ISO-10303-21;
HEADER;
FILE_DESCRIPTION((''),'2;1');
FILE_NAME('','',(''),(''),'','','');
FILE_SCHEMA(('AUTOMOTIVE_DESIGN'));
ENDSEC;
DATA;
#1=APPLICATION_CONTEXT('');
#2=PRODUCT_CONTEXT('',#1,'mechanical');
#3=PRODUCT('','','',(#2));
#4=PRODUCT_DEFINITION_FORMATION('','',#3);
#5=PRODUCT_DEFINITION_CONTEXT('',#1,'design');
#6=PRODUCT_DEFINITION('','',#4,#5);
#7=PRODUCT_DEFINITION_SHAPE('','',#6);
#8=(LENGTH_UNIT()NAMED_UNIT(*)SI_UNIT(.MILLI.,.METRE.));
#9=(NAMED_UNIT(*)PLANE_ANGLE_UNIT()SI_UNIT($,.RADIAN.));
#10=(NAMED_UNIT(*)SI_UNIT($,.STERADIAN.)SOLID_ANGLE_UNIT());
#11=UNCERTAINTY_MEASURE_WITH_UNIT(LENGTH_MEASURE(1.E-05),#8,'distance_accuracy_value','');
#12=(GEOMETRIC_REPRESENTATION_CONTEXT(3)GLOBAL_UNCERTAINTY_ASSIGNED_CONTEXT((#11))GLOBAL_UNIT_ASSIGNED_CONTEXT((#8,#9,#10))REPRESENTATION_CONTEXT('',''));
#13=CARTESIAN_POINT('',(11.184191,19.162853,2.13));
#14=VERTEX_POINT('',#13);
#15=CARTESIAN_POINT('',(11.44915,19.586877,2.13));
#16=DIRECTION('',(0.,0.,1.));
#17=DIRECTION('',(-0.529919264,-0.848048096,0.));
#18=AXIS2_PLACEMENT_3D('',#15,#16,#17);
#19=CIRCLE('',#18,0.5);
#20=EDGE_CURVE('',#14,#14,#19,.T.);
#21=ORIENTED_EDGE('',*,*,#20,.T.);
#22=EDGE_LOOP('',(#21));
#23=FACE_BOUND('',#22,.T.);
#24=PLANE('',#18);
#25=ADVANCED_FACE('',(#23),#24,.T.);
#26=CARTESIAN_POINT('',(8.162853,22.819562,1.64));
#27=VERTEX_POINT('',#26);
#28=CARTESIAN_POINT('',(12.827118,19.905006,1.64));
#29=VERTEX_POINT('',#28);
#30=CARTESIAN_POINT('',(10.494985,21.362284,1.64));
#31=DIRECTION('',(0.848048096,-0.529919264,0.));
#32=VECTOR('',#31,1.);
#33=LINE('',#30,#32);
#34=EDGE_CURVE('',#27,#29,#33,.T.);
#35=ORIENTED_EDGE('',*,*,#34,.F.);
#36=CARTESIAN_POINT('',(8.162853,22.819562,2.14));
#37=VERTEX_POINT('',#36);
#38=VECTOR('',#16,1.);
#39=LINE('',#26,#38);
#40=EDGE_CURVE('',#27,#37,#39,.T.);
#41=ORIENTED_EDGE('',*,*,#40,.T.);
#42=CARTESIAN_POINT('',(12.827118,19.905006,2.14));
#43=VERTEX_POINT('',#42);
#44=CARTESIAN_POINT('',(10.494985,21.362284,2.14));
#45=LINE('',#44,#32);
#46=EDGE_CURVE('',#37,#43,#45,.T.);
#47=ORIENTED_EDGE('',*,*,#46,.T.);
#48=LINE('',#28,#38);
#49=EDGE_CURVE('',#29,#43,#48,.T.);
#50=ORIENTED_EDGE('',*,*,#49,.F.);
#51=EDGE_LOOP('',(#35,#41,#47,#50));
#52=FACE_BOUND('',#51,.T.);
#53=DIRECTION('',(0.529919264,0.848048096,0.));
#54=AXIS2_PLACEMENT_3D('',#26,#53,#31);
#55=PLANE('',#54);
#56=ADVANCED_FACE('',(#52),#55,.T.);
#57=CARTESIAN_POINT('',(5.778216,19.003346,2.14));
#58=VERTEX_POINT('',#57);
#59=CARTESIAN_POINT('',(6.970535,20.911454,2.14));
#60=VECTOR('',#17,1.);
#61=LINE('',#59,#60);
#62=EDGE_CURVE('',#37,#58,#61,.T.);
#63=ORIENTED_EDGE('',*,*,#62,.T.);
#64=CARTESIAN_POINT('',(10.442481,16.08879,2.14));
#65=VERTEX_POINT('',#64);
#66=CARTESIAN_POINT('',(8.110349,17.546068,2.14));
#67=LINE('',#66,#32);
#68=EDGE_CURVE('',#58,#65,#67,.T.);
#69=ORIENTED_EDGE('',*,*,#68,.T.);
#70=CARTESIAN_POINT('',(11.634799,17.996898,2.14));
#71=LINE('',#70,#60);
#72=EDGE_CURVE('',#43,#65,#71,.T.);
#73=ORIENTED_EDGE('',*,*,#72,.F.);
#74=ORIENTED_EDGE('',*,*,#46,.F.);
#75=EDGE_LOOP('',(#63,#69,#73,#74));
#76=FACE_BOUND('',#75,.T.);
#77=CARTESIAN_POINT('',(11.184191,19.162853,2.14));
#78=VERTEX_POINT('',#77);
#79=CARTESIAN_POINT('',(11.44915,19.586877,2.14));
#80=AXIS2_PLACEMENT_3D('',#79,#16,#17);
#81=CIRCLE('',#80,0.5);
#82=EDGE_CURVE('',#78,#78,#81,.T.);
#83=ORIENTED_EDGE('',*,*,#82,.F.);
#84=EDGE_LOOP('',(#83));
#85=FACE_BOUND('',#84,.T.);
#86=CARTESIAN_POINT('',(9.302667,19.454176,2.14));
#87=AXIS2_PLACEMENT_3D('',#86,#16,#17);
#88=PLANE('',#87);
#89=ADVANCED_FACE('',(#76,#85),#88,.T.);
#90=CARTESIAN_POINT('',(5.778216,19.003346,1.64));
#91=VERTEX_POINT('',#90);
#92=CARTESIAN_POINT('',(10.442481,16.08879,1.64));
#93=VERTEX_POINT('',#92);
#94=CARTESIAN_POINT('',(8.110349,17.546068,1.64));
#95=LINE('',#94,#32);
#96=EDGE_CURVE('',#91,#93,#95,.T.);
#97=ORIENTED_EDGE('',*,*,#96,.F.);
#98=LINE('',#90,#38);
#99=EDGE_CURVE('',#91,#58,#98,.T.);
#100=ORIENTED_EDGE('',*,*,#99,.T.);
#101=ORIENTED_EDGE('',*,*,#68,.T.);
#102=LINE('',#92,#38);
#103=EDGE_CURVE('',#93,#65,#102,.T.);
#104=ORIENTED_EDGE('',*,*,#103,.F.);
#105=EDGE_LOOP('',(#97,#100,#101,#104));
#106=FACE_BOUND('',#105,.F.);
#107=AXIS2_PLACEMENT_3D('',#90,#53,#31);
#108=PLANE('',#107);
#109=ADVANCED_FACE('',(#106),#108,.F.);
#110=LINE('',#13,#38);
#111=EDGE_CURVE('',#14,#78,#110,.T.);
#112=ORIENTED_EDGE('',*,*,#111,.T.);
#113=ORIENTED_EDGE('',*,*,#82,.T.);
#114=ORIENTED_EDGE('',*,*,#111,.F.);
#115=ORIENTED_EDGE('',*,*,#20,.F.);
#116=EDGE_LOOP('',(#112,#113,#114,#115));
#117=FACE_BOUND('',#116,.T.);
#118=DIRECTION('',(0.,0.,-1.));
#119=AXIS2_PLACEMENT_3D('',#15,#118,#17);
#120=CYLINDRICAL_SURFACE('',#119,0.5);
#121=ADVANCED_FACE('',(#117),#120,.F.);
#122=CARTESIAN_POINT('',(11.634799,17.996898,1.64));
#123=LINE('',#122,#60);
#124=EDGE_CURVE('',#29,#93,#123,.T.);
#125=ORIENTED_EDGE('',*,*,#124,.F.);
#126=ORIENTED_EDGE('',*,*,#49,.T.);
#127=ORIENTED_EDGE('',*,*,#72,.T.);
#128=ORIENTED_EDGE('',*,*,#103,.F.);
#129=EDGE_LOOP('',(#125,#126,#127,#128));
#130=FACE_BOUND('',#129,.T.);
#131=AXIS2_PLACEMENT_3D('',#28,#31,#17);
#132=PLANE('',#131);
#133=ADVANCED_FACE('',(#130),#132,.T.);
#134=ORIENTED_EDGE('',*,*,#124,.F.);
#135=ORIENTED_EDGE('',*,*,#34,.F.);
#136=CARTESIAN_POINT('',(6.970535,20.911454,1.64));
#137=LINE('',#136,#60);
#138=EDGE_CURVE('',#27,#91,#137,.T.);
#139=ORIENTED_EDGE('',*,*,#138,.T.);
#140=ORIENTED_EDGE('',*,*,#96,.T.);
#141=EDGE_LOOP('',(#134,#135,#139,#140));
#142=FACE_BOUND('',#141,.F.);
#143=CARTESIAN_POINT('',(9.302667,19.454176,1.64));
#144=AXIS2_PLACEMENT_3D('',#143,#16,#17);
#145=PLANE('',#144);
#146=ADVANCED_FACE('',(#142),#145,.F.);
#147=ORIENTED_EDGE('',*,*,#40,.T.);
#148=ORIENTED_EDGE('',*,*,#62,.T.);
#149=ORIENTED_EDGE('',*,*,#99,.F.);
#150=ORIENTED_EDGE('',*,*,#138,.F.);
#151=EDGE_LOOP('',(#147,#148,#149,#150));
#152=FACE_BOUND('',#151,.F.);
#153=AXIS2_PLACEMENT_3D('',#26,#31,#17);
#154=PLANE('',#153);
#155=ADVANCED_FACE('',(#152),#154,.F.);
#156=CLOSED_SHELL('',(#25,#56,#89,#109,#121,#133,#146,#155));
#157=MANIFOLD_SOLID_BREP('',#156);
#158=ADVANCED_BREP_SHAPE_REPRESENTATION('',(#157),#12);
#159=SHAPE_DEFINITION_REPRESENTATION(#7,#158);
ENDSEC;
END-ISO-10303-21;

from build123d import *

# Parameters (mm, degrees)
CYLINDER085_R          = 0.5
CYLINDER085_DEPTH      = 0.01
BOX182_W               = 4.5
BOX182_H               = 5.5
BOX182_DEPTH           = 0.5
CUT091_PLACEMENT_ANGLE = 122


with BuildPart() as cylinder085:
    # Cylinder085 → Cylinder085 (new body)
    with BuildSketch(Plane(origin=(1, 4.5, 0.49), x_dir=(1, 0, 0), z_dir=(0, 0, 1))):
        Circle(CYLINDER085_R)
    extrude(amount=CYLINDER085_DEPTH)


with BuildPart() as small_linbo3_plate092:
    # Box182 → Box182 (new body)
    with BuildSketch(Plane.XY):
        with Locations((2.25, 2.75)):
            Rectangle(BOX182_W, BOX182_H)
    extrude(amount=BOX182_DEPTH)

    # Cut091: cut Cylinder085
    add(cylinder085.part, mode=Mode.SUBTRACT)


with BuildPart() as small_linbo3_plate092_1:
    # Cut091 placement: moved
    add(small_linbo3_plate092.part.moved(Location((8.162853, 22.819562, 1.64))).rotate(Axis((8.162853, 22.819562, 1.64), (0, 0, -1)), CUT091_PLACEMENT_ANGLE))


solid = small_linbo3_plate092_1.part
